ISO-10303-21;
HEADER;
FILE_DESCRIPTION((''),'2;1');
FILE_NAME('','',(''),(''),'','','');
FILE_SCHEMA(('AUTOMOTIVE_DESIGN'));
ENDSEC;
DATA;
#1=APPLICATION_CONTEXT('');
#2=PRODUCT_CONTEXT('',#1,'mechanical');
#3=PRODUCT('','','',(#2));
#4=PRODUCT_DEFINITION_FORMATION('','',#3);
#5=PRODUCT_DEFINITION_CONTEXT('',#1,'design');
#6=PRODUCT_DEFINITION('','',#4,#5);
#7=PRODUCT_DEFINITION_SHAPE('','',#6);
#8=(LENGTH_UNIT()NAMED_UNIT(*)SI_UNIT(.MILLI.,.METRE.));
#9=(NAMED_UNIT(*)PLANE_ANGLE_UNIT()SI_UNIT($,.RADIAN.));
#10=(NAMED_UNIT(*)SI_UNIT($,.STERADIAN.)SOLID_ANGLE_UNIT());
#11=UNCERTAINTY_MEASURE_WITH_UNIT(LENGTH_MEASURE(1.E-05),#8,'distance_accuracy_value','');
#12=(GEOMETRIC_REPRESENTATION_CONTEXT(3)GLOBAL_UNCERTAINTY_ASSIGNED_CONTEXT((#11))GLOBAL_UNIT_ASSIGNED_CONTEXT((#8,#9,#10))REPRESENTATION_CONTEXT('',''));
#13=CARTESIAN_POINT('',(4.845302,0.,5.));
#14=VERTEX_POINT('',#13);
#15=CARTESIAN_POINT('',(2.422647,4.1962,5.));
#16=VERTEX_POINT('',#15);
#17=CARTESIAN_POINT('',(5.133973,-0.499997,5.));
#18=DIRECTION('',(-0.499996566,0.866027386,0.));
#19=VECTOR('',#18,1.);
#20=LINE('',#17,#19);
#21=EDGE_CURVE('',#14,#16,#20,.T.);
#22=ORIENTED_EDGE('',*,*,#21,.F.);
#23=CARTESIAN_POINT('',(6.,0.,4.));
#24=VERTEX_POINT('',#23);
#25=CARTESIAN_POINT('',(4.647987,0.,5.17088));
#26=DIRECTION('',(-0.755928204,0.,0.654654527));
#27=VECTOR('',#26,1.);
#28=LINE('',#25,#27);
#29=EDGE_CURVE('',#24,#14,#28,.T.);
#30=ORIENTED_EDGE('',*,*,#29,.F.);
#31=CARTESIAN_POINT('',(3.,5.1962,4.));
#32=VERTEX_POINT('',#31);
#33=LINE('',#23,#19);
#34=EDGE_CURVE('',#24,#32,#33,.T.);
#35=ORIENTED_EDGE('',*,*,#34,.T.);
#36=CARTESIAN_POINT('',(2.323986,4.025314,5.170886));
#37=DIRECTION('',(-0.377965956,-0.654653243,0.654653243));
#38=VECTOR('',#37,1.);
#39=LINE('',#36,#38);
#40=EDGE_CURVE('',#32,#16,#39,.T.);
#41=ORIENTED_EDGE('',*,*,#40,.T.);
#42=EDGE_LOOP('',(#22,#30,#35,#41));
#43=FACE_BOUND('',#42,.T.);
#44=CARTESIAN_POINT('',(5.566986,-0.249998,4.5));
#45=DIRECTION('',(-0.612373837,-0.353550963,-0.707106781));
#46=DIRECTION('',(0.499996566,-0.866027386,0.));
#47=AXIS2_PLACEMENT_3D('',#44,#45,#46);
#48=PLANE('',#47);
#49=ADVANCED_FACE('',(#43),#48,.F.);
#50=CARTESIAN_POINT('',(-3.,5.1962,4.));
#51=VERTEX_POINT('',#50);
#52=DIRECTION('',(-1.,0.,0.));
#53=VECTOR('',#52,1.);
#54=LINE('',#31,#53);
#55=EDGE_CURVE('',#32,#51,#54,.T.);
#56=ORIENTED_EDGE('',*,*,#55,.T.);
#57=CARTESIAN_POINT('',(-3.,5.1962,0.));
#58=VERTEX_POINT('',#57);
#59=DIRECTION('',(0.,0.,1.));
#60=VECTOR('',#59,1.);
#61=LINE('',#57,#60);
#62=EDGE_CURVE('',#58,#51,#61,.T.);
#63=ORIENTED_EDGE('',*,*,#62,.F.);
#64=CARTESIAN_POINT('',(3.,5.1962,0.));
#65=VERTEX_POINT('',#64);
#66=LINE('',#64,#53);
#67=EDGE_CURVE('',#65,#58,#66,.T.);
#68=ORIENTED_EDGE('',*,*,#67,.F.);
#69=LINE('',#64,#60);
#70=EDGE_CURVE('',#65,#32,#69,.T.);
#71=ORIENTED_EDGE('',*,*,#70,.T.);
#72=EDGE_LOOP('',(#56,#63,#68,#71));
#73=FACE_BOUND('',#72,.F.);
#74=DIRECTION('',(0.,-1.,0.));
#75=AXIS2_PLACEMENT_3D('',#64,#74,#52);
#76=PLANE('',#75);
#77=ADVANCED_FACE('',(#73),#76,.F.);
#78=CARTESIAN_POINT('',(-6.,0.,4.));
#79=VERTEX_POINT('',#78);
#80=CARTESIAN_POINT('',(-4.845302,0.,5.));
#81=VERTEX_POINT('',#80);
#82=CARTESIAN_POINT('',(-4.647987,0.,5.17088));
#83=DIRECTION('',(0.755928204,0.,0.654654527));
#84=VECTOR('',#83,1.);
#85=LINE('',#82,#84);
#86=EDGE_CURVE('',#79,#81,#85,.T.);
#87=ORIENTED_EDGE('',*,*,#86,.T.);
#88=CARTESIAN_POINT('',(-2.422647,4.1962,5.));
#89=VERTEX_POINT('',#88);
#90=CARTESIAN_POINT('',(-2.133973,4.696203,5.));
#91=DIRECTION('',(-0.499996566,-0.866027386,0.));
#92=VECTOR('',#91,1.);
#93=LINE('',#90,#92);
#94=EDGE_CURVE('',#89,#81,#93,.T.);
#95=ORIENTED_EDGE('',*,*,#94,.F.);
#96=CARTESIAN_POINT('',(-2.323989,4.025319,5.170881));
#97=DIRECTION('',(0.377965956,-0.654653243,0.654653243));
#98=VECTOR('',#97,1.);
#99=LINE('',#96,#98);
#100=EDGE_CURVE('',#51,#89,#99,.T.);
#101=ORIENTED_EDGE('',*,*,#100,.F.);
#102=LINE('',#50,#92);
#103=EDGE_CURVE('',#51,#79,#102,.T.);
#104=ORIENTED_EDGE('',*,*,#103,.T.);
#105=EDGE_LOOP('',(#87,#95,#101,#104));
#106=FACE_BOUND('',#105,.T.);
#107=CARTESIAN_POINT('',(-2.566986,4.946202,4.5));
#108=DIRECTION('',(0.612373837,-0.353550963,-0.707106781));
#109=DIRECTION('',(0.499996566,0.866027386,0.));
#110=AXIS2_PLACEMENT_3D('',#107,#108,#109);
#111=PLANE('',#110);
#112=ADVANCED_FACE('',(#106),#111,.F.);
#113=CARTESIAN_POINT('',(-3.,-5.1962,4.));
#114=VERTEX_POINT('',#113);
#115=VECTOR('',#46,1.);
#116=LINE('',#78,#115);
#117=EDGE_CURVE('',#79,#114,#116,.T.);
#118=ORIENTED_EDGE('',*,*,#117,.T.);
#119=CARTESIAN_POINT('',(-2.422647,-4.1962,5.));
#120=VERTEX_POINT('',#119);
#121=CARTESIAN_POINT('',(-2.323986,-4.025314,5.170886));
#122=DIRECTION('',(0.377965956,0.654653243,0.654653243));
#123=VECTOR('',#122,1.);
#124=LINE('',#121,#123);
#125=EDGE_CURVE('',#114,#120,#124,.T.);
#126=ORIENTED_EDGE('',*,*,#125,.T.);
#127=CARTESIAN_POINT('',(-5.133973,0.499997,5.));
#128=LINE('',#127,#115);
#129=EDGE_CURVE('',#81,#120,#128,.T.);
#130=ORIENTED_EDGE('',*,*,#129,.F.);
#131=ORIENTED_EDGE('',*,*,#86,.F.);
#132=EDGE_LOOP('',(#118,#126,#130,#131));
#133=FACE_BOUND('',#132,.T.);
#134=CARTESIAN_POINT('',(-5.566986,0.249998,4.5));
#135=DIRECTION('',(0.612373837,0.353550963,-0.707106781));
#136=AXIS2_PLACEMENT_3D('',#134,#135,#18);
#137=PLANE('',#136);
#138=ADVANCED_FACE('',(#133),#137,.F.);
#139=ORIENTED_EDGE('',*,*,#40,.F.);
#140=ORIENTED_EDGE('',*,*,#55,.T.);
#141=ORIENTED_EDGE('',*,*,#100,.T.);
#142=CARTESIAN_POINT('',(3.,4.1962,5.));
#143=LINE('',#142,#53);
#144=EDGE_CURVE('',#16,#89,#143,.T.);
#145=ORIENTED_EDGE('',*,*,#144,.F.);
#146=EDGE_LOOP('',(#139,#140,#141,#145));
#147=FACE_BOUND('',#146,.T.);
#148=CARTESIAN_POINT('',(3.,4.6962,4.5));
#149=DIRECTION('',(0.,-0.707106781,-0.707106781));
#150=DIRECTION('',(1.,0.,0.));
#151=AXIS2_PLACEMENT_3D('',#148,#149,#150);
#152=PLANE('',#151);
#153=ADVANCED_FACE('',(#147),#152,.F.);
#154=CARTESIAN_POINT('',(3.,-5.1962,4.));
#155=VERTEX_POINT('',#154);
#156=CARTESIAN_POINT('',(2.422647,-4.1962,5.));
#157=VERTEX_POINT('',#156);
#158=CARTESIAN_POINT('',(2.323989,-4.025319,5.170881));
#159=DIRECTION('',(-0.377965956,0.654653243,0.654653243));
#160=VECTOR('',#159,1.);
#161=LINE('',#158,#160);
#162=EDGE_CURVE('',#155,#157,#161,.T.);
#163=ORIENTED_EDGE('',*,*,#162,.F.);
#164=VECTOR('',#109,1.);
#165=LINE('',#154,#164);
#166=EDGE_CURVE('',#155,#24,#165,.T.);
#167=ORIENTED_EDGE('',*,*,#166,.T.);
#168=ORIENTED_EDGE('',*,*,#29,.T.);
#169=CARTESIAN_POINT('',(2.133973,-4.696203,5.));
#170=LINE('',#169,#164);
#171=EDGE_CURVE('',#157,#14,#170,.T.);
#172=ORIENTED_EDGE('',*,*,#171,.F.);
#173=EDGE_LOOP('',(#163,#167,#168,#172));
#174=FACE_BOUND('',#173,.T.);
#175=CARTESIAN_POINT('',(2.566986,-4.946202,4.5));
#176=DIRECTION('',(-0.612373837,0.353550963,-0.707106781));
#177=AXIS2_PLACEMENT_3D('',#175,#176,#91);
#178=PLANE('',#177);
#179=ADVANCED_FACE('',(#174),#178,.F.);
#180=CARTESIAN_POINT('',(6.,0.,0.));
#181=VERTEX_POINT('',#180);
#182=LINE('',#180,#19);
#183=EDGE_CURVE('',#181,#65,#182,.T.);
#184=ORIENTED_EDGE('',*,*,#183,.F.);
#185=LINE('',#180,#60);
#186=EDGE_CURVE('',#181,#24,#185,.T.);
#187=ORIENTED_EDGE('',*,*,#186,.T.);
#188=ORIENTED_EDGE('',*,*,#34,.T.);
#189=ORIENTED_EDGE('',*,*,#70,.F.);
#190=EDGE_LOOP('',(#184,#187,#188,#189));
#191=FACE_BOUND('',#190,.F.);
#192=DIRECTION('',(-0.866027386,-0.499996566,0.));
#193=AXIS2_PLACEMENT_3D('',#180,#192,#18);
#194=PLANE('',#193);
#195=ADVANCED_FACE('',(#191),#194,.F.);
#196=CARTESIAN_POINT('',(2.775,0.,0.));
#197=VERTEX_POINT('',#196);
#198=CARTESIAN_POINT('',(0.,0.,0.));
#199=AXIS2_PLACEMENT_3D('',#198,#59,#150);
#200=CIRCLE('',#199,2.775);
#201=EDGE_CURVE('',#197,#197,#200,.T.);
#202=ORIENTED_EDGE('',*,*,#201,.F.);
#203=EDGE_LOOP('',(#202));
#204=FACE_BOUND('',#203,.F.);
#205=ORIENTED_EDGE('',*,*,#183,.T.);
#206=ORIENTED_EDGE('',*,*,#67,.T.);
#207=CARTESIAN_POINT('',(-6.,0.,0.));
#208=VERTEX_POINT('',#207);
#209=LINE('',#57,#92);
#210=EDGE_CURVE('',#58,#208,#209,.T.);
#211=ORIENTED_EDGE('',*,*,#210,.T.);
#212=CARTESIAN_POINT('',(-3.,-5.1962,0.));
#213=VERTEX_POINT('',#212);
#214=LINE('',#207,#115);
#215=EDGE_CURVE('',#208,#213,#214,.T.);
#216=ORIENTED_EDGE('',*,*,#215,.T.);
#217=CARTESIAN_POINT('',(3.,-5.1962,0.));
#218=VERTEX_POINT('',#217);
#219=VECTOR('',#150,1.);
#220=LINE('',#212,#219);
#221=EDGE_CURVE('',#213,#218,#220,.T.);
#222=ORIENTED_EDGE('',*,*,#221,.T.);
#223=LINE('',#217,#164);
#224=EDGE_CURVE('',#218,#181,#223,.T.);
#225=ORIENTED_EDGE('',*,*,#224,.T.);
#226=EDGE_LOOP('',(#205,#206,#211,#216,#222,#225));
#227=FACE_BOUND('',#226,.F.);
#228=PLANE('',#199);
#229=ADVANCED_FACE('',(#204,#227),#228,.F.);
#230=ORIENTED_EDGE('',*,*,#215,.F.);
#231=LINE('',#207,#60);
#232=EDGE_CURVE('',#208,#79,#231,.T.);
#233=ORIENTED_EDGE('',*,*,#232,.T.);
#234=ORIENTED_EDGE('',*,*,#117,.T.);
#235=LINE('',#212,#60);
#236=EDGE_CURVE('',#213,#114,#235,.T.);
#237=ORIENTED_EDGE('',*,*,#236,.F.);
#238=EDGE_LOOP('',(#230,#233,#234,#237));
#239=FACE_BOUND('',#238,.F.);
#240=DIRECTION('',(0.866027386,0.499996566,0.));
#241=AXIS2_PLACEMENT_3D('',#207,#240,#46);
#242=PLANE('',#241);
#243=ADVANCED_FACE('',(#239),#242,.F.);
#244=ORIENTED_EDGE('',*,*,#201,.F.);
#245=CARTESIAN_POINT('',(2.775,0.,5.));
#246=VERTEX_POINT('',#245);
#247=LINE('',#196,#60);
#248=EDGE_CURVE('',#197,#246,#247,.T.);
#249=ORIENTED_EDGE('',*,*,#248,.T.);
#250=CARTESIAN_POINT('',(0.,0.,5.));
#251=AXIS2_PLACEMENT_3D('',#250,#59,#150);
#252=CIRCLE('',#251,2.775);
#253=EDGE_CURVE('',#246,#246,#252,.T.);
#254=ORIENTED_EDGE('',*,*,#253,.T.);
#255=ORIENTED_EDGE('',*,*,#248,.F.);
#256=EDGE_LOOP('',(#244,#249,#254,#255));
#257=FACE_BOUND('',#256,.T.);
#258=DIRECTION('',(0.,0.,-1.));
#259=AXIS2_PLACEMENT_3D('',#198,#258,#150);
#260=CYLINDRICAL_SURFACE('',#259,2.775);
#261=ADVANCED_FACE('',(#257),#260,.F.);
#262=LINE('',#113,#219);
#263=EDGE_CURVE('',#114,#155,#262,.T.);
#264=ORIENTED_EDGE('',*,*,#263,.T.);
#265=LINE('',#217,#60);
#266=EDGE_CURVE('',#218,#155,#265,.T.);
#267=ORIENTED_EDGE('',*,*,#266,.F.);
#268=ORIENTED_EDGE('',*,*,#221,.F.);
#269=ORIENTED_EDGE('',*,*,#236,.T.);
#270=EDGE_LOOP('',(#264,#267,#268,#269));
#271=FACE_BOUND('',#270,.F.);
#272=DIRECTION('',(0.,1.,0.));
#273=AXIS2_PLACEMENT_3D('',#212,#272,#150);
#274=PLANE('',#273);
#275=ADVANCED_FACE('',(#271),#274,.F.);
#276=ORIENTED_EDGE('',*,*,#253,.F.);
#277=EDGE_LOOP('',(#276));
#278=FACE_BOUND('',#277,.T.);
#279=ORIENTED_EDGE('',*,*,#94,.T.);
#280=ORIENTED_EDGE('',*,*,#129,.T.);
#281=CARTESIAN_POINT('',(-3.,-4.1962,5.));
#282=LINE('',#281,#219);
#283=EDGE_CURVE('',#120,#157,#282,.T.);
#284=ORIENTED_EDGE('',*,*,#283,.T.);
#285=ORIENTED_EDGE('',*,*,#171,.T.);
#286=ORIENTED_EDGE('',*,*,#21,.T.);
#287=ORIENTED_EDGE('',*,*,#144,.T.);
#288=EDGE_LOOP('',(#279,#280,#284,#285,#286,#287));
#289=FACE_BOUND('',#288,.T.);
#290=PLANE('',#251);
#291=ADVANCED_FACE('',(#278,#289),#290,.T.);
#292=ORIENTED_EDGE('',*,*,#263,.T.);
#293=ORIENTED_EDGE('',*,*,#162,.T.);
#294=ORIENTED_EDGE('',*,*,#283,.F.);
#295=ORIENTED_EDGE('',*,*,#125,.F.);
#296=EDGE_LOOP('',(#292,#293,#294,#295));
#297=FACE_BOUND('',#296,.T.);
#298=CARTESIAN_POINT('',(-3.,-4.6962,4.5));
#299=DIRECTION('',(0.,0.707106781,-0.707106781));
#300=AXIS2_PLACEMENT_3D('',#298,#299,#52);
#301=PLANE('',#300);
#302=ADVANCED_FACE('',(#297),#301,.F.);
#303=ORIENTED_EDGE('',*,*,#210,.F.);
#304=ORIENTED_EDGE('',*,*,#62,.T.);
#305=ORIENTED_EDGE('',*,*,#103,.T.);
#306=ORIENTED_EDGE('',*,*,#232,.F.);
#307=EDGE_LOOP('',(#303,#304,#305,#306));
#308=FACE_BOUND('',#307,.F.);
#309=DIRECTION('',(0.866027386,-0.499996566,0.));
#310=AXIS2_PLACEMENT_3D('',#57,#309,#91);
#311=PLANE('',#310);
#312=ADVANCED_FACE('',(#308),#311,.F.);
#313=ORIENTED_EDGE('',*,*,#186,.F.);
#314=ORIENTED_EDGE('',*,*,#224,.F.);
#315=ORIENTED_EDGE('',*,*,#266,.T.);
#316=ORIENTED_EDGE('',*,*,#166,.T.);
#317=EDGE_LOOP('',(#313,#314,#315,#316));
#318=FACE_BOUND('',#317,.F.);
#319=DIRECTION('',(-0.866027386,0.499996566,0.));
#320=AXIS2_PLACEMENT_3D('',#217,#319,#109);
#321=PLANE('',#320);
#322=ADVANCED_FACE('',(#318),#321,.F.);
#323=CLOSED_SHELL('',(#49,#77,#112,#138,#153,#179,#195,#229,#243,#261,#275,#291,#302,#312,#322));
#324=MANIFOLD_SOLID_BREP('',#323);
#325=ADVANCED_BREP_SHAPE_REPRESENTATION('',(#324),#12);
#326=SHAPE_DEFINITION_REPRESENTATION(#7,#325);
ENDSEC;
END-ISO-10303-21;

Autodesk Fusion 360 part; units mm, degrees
sketch "Sketch1" plane through (0, 0, 0) normal (0, 0, 1) x (1, 0, 0) in component "Pneumatic Nut"
  line L0 (-3, 5.1962) -> (-6, 0)
  line L1 (-6, 0) -> (-3, -5.1962)
  line L2 (-3, -5.1962) -> (3, -5.1962)
  line L3 (3, -5.1962) -> (6, 0)
  line L4 (6, 0) -> (3, 5.1962)
  line L5 (3, 5.1962) -> (-3, 5.1962)
  circle A0 centre (0, 0) radius 2.775
  dimension "d1" = 12
  dimension "d2" = 5.55
extrude "Extrude1" add sketch "Sketch1" along normal blind 5 in component "Pneumatic Nut"
chamfer "Chamfer1" distance 1 angle 45 6 edges at (4.5, -2.5981, 5) (4.5, 2.5981, 5) (0, 5.1962, 5) (-4.5, 2.5981, 5) (-4.5, -2.5981, 5) (0, -5.1962, 5) in component "Pneumatic Nut"
component "Pneumatic Nut" placed x (1, 0, 0) y (0, 1, 0) z (0, 0, 1) at (0, 0, 0)
